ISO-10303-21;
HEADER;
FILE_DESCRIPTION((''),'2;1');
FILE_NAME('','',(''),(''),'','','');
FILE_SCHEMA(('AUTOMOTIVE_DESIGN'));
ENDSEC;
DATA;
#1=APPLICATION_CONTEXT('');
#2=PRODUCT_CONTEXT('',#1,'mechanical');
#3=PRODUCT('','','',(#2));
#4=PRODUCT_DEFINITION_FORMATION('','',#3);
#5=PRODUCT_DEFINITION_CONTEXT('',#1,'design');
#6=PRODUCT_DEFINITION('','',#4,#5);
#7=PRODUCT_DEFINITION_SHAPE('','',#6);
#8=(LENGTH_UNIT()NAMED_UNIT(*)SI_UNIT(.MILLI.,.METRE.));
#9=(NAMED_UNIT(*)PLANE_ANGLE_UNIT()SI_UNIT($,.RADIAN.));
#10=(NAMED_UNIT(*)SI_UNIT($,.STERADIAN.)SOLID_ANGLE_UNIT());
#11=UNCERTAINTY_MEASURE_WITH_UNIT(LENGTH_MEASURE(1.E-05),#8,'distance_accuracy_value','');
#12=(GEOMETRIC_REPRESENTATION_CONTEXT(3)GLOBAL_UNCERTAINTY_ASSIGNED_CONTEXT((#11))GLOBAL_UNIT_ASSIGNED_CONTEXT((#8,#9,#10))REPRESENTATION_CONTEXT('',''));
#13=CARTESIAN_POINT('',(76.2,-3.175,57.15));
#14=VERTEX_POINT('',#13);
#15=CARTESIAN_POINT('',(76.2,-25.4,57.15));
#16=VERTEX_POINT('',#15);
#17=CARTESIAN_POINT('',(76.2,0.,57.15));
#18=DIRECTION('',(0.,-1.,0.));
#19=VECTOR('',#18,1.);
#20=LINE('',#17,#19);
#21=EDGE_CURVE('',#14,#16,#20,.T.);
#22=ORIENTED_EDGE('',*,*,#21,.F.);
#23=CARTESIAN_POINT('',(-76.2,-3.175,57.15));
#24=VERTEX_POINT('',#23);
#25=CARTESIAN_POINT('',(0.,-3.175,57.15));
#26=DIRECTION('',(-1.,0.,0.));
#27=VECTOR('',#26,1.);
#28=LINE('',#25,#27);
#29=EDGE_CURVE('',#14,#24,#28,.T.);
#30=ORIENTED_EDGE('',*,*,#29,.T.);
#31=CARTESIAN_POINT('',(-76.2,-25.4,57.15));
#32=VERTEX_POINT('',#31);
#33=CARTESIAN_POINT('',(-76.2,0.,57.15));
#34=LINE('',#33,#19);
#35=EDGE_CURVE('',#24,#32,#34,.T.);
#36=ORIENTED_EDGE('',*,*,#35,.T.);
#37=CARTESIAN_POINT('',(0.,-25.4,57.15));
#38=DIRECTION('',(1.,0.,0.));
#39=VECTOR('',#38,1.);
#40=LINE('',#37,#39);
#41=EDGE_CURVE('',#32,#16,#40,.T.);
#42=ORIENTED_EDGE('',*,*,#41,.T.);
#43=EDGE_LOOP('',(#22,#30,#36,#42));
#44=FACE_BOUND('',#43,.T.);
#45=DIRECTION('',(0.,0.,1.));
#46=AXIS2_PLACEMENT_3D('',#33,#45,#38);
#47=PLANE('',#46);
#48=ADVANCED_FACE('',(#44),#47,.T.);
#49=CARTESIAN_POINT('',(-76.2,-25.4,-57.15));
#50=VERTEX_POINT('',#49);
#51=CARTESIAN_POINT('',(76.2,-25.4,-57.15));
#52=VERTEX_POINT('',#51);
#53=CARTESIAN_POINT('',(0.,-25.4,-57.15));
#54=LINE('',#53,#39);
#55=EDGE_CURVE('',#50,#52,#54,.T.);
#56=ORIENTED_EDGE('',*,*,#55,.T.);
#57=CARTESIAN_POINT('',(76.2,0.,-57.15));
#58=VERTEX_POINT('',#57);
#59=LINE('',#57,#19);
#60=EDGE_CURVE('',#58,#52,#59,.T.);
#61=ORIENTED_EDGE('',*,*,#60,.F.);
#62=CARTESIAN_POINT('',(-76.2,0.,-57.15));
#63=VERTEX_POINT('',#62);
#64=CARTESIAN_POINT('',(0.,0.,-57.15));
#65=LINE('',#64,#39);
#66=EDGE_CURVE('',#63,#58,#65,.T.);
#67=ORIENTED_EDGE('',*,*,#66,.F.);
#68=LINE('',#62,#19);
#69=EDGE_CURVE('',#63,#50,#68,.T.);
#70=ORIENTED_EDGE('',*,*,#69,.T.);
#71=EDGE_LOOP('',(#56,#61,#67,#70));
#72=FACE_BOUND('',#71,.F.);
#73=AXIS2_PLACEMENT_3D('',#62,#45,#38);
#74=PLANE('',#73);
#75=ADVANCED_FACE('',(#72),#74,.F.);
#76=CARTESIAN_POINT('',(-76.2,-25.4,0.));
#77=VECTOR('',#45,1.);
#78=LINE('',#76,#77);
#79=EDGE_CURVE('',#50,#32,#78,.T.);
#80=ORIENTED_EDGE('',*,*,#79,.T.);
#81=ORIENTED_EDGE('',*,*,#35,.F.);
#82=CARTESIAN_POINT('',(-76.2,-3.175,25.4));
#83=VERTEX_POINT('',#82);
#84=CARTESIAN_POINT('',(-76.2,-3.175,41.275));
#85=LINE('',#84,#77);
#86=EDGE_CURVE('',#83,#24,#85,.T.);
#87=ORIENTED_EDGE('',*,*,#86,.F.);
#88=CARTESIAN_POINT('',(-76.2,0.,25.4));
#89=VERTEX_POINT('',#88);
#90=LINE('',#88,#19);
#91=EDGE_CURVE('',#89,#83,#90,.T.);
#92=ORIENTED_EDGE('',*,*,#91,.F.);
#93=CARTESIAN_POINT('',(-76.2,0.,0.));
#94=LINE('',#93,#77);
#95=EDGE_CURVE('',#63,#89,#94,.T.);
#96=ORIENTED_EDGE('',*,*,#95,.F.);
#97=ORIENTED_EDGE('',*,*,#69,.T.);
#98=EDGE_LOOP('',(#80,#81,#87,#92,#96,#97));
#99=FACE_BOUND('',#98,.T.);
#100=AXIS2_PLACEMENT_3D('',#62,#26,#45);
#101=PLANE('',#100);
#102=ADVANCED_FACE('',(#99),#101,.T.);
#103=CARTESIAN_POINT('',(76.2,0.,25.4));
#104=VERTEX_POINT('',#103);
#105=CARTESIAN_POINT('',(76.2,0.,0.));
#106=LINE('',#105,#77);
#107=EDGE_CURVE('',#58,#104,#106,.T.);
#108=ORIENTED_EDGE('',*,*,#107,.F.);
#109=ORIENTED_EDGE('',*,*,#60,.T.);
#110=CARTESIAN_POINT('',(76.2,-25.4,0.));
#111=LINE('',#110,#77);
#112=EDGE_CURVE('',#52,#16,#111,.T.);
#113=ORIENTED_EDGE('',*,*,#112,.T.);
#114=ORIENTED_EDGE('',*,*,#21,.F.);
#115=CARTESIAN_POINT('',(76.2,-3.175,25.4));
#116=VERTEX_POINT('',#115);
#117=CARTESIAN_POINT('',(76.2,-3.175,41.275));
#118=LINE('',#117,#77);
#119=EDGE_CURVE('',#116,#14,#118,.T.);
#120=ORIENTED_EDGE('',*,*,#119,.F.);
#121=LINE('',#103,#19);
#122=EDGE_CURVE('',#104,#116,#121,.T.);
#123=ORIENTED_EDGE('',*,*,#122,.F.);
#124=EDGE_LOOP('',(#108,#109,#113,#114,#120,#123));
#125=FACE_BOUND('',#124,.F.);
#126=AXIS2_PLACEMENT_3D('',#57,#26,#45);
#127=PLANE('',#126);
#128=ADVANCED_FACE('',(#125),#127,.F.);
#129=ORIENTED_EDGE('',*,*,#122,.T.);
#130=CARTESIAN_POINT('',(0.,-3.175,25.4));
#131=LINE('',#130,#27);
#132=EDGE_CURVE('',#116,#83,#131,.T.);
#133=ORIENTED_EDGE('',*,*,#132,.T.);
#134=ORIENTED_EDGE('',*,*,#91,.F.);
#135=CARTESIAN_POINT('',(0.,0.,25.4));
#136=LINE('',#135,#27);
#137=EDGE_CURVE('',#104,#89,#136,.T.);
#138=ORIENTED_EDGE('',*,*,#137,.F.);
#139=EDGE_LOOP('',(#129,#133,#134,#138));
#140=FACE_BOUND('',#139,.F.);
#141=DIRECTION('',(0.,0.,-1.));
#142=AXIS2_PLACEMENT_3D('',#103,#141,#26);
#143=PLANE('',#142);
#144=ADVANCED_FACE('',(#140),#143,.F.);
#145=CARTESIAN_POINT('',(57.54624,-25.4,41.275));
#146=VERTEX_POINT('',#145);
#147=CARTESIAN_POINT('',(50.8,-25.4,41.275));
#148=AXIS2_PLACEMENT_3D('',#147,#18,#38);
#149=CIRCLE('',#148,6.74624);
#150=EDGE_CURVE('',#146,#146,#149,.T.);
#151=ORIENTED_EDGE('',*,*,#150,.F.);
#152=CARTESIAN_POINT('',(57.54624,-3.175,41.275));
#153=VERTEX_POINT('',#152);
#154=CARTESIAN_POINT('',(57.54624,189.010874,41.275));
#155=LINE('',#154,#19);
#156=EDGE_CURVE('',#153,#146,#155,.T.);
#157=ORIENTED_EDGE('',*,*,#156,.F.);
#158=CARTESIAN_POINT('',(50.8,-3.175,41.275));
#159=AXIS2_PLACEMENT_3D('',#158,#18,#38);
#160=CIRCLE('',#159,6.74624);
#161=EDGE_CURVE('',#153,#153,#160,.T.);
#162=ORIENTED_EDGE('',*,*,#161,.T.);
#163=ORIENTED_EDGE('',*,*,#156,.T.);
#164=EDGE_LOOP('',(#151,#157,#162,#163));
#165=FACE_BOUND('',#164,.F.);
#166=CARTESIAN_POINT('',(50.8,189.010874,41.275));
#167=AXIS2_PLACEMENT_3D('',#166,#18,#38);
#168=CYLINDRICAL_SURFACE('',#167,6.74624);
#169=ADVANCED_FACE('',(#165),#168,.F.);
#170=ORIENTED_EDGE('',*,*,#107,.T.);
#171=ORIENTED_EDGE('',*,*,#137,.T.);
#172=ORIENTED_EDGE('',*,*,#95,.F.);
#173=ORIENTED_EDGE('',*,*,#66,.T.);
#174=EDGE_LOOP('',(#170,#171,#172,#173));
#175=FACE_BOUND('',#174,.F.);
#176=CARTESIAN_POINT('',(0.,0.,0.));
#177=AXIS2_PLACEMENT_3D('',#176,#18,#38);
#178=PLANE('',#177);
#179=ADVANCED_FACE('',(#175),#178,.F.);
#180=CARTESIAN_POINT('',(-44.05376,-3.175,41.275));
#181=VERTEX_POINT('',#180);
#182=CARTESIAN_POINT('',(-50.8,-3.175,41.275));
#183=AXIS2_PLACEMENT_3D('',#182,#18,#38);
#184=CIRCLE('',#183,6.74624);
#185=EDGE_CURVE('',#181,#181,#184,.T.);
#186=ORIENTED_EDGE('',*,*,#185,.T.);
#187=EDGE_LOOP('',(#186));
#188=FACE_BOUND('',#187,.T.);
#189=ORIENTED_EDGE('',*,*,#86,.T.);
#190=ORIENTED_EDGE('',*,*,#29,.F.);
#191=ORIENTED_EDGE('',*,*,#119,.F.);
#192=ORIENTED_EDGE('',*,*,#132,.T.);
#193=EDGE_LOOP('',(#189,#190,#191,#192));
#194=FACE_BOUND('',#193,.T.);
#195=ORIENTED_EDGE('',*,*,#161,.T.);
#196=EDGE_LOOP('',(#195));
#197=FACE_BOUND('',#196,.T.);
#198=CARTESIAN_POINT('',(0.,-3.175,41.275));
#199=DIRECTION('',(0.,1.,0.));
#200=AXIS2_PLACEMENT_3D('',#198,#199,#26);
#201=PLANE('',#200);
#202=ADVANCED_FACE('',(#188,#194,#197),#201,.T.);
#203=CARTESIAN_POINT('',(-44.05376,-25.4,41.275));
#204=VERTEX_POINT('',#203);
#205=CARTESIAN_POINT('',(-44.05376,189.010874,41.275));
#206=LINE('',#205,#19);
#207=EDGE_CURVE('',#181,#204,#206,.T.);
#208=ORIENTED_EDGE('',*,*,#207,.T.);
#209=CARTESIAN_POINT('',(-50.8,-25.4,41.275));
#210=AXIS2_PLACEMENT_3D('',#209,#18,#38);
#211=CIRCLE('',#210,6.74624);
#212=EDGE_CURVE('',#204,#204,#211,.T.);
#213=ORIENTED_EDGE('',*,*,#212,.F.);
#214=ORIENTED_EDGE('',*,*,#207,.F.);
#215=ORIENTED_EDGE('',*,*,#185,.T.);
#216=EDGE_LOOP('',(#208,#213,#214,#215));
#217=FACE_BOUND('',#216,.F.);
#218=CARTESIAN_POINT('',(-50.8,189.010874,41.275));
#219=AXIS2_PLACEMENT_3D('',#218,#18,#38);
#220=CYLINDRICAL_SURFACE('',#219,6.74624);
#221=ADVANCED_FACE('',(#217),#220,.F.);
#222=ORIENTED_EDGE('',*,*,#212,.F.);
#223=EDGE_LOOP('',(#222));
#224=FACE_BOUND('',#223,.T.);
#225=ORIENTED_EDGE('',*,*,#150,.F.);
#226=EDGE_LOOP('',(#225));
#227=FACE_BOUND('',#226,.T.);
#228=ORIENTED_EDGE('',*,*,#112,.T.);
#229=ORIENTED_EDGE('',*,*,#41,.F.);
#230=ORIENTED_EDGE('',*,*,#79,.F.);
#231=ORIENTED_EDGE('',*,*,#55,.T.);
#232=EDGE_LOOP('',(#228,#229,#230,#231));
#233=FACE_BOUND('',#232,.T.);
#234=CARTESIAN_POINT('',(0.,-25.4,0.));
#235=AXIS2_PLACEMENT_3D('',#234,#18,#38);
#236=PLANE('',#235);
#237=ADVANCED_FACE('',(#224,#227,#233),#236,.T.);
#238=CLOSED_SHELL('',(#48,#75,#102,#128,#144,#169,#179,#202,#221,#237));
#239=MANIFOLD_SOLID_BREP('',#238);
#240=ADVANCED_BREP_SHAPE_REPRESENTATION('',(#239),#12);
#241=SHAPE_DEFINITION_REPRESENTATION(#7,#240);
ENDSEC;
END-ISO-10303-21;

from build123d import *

# Parameters (mm, degrees)
F0_W     = 152.4
F0_H     = 114.3
F1_DEPTH = 25.4
F2_W     = 152.4
F2_H     = 31.75
F3_DEPTH = 3.175
F5_D     = 13.49248


with BuildPart() as f1:
    # F0 (on Front) → F1 (new body)
    with BuildSketch(Plane.XZ):
        Rectangle(F0_W, F0_H)
    extrude(amount=F1_DEPTH)

    # F2 (on face) → F3 (cut)
    with BuildSketch(Plane(origin=(0, 0, 0), x_dir=(-1, 0, 0), z_dir=(0, 1, 0))):
        with Locations((0, 41.275)):
            Rectangle(F2_W, F2_H)
    extrude(amount=-F3_DEPTH, mode=Mode.SUBTRACT)

    # F5 (through all)
    with Locations(Plane(origin=(0, -3.175, 0), x_dir=(-1, 0, 0), z_dir=(0, 1, 0))):
        with Locations((50.8, 41.275), (-50.8, 41.275)):
            Hole(F5_D / 2)


solid = f1.part
